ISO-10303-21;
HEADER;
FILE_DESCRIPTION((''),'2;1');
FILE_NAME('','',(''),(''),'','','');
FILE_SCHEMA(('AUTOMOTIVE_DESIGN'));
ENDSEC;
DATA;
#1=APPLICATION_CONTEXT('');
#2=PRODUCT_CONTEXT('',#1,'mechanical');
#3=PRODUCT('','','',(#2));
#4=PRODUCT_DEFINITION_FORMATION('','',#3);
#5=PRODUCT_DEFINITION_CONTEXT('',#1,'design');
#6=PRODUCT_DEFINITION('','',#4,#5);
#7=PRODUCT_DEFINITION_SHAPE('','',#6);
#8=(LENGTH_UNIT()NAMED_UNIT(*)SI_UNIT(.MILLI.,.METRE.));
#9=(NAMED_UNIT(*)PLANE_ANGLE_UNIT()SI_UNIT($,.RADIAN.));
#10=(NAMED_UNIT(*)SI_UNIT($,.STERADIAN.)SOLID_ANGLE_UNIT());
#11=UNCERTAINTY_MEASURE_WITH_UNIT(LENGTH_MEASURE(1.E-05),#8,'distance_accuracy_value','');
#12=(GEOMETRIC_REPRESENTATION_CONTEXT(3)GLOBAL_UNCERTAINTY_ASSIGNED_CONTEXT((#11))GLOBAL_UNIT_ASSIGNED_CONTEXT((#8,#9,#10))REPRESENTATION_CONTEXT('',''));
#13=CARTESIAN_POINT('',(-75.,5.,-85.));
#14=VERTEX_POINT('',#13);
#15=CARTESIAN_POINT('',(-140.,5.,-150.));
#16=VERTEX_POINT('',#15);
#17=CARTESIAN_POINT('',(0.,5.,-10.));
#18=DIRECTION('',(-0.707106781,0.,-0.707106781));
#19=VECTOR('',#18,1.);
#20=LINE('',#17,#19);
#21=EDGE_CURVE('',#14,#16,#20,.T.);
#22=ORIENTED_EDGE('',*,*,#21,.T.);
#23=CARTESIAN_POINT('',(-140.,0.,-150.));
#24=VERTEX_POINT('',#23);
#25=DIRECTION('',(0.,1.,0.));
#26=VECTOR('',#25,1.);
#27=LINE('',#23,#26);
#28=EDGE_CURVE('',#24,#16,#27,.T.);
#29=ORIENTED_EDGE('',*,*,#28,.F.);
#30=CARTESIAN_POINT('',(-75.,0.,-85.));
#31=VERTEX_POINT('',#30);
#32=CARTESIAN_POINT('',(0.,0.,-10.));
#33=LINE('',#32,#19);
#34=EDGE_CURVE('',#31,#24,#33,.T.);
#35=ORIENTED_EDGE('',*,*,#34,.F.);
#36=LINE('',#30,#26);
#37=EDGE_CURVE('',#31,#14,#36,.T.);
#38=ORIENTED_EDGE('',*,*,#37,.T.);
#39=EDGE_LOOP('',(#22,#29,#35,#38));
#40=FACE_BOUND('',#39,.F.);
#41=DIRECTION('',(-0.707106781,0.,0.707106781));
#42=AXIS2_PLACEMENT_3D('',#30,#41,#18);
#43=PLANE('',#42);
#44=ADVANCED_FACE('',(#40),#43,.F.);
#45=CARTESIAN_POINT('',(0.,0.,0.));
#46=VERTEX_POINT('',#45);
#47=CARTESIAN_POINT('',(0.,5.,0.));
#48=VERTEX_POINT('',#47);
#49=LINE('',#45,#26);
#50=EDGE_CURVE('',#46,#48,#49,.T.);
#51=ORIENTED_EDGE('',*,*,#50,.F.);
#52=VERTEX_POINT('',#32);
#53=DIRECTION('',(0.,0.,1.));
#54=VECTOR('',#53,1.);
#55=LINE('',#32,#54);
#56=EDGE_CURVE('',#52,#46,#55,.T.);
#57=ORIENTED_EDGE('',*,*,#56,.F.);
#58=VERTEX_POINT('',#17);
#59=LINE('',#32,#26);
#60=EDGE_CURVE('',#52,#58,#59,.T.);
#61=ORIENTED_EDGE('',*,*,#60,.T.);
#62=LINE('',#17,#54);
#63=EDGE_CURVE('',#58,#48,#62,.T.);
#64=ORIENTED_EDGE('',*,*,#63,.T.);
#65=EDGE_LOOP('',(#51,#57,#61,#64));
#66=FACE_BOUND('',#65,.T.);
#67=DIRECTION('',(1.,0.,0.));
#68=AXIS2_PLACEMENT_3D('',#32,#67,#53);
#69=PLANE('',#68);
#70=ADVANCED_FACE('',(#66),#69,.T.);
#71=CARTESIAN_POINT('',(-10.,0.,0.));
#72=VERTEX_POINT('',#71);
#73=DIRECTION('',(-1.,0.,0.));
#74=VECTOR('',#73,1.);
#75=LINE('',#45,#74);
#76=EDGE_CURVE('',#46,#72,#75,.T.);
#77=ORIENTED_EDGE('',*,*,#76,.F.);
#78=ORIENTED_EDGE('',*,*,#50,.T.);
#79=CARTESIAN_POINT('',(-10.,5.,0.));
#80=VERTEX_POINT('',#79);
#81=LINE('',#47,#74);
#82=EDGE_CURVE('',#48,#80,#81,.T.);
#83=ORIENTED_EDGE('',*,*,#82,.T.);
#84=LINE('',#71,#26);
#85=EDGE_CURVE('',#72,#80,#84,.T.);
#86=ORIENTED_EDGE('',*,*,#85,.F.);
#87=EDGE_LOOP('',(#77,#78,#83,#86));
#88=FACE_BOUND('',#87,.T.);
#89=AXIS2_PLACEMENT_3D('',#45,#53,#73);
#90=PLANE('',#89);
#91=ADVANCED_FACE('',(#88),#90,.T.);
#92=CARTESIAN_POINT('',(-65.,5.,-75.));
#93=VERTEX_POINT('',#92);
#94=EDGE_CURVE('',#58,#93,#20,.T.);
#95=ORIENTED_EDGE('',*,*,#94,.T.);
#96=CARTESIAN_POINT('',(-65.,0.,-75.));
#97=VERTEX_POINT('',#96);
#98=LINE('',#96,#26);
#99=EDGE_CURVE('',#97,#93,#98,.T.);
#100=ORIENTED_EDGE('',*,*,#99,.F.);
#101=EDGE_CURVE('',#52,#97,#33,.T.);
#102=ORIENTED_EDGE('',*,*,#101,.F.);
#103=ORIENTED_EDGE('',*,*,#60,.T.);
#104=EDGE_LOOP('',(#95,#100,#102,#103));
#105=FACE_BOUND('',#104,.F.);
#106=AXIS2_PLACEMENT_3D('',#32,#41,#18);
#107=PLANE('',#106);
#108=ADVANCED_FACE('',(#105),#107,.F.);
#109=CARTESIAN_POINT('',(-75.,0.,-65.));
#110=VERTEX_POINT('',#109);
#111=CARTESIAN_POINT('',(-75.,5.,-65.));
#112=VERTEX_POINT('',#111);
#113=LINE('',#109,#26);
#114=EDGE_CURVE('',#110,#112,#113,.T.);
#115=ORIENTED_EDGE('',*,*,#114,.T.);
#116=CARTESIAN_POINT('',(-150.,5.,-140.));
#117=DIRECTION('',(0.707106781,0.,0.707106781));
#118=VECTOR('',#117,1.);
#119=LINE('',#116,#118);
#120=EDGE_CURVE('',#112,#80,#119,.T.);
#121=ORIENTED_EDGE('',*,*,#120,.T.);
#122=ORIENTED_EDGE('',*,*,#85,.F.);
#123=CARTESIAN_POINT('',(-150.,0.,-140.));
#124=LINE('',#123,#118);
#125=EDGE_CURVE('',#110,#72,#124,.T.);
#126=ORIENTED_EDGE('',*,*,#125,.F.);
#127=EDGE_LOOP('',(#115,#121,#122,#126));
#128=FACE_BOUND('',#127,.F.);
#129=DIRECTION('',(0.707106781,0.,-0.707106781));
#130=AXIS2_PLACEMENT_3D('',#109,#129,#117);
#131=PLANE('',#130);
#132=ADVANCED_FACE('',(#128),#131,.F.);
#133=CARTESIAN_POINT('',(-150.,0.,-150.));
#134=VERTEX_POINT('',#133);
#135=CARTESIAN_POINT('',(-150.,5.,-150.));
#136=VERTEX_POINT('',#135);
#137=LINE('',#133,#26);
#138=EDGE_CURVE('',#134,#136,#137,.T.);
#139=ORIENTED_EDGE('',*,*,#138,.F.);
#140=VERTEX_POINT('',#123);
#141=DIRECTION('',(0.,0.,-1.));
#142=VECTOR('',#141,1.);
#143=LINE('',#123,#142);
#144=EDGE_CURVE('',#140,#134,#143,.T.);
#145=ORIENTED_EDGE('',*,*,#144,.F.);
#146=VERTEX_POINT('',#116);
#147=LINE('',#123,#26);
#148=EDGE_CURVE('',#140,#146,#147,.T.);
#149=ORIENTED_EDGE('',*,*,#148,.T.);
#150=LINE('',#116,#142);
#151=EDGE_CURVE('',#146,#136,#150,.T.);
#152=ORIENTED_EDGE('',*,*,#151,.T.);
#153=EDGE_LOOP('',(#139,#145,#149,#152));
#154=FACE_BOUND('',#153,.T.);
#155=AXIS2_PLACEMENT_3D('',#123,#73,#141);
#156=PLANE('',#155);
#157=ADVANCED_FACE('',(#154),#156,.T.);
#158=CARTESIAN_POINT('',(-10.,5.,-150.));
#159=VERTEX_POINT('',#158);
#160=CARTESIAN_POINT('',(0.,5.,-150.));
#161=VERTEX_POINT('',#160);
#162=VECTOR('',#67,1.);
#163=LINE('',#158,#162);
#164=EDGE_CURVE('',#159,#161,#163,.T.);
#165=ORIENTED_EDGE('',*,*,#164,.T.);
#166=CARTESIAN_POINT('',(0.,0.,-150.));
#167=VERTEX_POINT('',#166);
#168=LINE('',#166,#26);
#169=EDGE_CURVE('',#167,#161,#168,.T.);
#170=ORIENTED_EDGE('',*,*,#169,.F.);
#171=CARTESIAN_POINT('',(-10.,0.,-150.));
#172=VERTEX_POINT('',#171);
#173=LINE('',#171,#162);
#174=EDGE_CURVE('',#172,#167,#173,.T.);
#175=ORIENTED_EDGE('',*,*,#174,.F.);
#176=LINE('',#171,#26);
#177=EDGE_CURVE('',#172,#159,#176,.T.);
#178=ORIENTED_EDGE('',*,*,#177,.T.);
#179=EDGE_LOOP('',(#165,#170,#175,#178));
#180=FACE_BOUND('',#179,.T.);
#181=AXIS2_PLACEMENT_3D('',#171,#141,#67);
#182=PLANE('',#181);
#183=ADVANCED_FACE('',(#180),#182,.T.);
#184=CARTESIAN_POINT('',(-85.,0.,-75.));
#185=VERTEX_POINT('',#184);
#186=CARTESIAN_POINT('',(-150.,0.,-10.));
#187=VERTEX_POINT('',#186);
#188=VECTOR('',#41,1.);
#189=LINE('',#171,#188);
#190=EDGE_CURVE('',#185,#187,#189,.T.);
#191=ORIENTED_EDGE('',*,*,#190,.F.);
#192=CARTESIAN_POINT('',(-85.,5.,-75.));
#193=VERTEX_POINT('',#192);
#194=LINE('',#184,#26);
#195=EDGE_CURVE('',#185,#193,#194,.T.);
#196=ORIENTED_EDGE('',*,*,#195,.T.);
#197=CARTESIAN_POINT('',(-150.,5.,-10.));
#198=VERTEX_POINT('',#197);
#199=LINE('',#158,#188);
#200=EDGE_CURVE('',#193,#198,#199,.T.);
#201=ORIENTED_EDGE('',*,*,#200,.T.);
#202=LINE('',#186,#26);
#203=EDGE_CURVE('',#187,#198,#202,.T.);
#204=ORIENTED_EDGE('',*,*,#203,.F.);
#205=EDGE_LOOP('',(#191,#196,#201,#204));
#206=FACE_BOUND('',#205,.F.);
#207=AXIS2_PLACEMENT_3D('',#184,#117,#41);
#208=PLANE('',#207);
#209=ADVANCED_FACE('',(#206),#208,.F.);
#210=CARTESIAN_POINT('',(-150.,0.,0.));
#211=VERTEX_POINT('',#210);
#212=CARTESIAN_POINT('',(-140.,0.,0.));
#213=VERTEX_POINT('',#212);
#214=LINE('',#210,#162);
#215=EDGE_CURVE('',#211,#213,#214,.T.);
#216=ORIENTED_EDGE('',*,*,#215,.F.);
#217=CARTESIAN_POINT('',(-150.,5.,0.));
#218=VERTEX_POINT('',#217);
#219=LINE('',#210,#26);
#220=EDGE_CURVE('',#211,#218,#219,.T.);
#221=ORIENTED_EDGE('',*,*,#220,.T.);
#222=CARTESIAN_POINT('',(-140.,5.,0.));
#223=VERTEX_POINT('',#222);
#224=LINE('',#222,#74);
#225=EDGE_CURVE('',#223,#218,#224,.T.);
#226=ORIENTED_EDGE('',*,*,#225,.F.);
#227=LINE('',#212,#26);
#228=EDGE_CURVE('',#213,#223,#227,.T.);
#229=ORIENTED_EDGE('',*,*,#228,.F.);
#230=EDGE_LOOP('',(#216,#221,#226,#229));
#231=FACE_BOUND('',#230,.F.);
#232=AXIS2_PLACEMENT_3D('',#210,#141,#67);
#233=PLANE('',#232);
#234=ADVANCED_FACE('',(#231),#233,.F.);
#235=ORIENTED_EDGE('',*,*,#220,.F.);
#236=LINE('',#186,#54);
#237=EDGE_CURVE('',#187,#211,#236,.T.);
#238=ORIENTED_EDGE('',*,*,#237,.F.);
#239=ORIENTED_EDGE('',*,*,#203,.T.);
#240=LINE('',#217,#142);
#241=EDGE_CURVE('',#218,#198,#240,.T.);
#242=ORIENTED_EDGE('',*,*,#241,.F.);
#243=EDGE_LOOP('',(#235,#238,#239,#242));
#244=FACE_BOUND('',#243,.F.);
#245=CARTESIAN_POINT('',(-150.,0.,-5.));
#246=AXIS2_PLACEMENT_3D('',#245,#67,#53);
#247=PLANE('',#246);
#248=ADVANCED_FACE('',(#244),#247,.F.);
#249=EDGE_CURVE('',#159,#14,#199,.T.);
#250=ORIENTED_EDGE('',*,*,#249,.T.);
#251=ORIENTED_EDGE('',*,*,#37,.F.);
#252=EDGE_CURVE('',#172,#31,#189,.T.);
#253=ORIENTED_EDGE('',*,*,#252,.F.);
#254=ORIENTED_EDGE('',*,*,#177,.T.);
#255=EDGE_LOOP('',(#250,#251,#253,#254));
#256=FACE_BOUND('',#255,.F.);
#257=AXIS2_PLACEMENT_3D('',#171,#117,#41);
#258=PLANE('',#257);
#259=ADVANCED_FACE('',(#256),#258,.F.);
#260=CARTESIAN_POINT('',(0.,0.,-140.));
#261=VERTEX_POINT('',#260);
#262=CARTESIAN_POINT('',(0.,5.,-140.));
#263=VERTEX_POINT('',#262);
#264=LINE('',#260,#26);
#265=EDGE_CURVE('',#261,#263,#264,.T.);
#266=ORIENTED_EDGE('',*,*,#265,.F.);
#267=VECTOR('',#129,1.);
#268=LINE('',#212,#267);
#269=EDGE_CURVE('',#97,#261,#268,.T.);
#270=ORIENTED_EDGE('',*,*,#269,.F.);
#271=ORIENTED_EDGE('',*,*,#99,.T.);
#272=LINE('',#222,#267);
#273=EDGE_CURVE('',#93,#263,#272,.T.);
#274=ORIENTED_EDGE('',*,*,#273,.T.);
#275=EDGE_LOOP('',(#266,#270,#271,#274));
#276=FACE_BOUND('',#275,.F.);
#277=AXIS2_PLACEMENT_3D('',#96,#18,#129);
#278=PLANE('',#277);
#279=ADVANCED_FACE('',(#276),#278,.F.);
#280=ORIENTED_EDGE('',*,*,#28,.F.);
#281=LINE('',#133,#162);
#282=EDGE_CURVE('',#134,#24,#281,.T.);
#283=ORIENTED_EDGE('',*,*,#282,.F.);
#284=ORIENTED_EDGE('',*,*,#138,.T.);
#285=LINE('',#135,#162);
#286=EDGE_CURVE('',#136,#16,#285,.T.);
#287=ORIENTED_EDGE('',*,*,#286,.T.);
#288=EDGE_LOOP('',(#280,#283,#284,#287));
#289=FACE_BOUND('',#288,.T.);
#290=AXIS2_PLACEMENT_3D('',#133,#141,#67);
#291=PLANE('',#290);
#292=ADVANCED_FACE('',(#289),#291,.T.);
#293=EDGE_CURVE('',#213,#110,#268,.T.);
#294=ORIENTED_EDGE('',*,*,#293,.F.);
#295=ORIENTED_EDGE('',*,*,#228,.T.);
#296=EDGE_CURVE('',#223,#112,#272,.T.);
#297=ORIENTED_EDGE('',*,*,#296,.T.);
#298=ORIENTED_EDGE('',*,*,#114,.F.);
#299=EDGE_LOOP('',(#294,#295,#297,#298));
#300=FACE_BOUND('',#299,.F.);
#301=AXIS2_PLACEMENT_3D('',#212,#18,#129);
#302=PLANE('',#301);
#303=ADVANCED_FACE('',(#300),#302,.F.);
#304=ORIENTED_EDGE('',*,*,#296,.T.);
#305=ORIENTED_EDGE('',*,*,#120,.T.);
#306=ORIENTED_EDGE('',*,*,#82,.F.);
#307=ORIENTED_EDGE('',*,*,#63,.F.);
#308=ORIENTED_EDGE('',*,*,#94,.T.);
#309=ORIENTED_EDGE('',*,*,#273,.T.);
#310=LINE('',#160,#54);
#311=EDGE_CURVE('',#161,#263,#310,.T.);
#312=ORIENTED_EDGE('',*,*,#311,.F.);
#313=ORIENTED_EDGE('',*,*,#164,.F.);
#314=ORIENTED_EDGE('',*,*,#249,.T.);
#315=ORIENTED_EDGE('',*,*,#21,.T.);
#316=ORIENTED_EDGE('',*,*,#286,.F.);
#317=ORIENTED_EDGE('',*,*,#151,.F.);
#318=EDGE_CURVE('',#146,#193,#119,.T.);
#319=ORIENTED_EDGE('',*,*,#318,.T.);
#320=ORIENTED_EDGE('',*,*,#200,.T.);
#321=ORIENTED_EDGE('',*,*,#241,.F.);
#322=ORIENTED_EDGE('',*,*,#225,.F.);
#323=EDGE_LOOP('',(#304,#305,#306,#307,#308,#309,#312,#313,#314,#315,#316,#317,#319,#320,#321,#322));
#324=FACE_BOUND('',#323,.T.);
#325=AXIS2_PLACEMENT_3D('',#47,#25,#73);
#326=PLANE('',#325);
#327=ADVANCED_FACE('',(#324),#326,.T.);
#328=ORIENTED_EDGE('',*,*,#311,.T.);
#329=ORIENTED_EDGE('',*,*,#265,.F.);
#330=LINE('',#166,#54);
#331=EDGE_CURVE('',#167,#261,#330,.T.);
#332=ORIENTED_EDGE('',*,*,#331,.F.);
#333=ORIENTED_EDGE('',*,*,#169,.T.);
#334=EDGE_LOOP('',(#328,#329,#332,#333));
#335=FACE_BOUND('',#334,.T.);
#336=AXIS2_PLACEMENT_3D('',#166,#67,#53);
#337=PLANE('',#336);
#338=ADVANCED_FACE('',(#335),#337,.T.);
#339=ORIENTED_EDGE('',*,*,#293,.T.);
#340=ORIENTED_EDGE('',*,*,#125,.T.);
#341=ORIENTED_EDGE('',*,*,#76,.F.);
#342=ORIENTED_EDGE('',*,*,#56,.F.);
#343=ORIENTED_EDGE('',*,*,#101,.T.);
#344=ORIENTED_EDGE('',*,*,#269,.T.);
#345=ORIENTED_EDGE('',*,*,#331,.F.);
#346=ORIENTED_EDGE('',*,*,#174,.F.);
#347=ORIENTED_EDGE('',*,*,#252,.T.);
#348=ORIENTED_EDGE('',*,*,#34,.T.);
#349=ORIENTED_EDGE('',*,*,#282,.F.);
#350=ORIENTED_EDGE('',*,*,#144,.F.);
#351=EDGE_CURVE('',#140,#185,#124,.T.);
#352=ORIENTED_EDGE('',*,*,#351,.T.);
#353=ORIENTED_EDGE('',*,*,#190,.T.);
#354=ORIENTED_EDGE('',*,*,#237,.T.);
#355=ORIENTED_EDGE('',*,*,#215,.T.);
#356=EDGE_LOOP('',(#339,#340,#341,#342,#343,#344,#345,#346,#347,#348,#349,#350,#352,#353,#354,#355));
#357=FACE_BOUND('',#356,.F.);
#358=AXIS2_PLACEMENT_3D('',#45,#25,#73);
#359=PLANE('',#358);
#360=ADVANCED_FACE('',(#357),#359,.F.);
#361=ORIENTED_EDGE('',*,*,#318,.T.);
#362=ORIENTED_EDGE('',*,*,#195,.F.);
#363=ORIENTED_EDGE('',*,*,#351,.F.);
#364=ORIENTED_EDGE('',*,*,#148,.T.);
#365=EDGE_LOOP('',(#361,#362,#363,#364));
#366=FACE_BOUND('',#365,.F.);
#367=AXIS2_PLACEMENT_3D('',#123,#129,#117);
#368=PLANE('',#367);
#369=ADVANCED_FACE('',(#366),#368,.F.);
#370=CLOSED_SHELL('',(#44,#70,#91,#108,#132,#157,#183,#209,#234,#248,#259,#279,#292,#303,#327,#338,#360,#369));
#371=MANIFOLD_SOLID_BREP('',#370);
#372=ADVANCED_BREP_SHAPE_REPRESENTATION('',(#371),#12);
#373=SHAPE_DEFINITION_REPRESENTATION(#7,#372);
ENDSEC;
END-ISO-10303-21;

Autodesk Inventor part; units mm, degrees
ref_plane "YZ Plane" through (0, 0, 0) normal (1, 0, 0) x (0, 1, 0)
ref_plane "XZ Plane" through (0, 0, 0) normal (0, 1, 0) x (-1, 0, 0)
ref_plane "XY Plane" through (0, 0, 0) normal (0, 0, 1) x (1, 0, 0)
sketch "스케치1" plane through (0, 0, 0) normal (0, 1, 0) x (-1, 0, 0)
  line L0 (150, 0) -> (140, 0)
  line L1 (140, 0) -> (140, -5)
  line L2 (140, -5) -> (145, -5)
  line L3 (150, -5) -> (150, 0)
  line L4 (150, 0) -> (145, 0)
  line L5 (145, -5) -> (145, -10)
  line L6 (145, -10) -> (150, -10)
  line L7 (150, -10) -> (150, 0)
  line L8 (150, -75) -> (0, -75)
  line L9 (75, 0) -> (75, -150)
  line L10 (140, -150) -> (140, -145)
  line L11 (140, -145) -> (145, -145)
  line L12 (145, -145) -> (145, -140)
  line L13 (145, -140) -> (150, -140)
  line L14 (75, -150) -> (75, 0)
  line L15 (10, 0) -> (10, -5)
  line L16 (10, -5) -> (5, -5)
  line L17 (5, -5) -> (5, -10)
  line L18 (5, -10) -> (0, -10)
  line L19 (10, -150) -> (10, -145)
  line L20 (10, -145) -> (5, -145)
  line L21 (5, -140) -> (0, -140)
  line L22 (5, -145) -> (5, -140)
  line L23 (140, 0) -> (0, -140)
  line L24 (10, -150) -> (150, -10)
  line L25 (150, -140) -> (10, 0)
  line L26 (0, -10) -> (140, -150)
  line L27 (0, 0) -> (10, 0)
  line L28 (140, 0) -> (150, 0)
  line L29 (0, -150) -> (0, -140)
  line L30 (0, -10) -> (0, 0)
  line L31 (150, -150) -> (140, -150)
  line L32 (10, -150) -> (0, -150)
  line L33 (150, 0) -> (150, -10)
  line L34 (150, -140) -> (150, -150)
  point P0 (75, -65)
  point P1 (65, -75)
  point P2 (75, -85)
  point P3 (85, -75)
  dimension "d0" = 150
  dimension "d1" = 150
  dimension "d2" = 10
  dimension "d3" = 5
  dimension "d4" = 5
  dimension "d5" = 10
extrude "돌출1" add sketch "스케치1" along normal blind 5
properties part number "적재부 상판"
